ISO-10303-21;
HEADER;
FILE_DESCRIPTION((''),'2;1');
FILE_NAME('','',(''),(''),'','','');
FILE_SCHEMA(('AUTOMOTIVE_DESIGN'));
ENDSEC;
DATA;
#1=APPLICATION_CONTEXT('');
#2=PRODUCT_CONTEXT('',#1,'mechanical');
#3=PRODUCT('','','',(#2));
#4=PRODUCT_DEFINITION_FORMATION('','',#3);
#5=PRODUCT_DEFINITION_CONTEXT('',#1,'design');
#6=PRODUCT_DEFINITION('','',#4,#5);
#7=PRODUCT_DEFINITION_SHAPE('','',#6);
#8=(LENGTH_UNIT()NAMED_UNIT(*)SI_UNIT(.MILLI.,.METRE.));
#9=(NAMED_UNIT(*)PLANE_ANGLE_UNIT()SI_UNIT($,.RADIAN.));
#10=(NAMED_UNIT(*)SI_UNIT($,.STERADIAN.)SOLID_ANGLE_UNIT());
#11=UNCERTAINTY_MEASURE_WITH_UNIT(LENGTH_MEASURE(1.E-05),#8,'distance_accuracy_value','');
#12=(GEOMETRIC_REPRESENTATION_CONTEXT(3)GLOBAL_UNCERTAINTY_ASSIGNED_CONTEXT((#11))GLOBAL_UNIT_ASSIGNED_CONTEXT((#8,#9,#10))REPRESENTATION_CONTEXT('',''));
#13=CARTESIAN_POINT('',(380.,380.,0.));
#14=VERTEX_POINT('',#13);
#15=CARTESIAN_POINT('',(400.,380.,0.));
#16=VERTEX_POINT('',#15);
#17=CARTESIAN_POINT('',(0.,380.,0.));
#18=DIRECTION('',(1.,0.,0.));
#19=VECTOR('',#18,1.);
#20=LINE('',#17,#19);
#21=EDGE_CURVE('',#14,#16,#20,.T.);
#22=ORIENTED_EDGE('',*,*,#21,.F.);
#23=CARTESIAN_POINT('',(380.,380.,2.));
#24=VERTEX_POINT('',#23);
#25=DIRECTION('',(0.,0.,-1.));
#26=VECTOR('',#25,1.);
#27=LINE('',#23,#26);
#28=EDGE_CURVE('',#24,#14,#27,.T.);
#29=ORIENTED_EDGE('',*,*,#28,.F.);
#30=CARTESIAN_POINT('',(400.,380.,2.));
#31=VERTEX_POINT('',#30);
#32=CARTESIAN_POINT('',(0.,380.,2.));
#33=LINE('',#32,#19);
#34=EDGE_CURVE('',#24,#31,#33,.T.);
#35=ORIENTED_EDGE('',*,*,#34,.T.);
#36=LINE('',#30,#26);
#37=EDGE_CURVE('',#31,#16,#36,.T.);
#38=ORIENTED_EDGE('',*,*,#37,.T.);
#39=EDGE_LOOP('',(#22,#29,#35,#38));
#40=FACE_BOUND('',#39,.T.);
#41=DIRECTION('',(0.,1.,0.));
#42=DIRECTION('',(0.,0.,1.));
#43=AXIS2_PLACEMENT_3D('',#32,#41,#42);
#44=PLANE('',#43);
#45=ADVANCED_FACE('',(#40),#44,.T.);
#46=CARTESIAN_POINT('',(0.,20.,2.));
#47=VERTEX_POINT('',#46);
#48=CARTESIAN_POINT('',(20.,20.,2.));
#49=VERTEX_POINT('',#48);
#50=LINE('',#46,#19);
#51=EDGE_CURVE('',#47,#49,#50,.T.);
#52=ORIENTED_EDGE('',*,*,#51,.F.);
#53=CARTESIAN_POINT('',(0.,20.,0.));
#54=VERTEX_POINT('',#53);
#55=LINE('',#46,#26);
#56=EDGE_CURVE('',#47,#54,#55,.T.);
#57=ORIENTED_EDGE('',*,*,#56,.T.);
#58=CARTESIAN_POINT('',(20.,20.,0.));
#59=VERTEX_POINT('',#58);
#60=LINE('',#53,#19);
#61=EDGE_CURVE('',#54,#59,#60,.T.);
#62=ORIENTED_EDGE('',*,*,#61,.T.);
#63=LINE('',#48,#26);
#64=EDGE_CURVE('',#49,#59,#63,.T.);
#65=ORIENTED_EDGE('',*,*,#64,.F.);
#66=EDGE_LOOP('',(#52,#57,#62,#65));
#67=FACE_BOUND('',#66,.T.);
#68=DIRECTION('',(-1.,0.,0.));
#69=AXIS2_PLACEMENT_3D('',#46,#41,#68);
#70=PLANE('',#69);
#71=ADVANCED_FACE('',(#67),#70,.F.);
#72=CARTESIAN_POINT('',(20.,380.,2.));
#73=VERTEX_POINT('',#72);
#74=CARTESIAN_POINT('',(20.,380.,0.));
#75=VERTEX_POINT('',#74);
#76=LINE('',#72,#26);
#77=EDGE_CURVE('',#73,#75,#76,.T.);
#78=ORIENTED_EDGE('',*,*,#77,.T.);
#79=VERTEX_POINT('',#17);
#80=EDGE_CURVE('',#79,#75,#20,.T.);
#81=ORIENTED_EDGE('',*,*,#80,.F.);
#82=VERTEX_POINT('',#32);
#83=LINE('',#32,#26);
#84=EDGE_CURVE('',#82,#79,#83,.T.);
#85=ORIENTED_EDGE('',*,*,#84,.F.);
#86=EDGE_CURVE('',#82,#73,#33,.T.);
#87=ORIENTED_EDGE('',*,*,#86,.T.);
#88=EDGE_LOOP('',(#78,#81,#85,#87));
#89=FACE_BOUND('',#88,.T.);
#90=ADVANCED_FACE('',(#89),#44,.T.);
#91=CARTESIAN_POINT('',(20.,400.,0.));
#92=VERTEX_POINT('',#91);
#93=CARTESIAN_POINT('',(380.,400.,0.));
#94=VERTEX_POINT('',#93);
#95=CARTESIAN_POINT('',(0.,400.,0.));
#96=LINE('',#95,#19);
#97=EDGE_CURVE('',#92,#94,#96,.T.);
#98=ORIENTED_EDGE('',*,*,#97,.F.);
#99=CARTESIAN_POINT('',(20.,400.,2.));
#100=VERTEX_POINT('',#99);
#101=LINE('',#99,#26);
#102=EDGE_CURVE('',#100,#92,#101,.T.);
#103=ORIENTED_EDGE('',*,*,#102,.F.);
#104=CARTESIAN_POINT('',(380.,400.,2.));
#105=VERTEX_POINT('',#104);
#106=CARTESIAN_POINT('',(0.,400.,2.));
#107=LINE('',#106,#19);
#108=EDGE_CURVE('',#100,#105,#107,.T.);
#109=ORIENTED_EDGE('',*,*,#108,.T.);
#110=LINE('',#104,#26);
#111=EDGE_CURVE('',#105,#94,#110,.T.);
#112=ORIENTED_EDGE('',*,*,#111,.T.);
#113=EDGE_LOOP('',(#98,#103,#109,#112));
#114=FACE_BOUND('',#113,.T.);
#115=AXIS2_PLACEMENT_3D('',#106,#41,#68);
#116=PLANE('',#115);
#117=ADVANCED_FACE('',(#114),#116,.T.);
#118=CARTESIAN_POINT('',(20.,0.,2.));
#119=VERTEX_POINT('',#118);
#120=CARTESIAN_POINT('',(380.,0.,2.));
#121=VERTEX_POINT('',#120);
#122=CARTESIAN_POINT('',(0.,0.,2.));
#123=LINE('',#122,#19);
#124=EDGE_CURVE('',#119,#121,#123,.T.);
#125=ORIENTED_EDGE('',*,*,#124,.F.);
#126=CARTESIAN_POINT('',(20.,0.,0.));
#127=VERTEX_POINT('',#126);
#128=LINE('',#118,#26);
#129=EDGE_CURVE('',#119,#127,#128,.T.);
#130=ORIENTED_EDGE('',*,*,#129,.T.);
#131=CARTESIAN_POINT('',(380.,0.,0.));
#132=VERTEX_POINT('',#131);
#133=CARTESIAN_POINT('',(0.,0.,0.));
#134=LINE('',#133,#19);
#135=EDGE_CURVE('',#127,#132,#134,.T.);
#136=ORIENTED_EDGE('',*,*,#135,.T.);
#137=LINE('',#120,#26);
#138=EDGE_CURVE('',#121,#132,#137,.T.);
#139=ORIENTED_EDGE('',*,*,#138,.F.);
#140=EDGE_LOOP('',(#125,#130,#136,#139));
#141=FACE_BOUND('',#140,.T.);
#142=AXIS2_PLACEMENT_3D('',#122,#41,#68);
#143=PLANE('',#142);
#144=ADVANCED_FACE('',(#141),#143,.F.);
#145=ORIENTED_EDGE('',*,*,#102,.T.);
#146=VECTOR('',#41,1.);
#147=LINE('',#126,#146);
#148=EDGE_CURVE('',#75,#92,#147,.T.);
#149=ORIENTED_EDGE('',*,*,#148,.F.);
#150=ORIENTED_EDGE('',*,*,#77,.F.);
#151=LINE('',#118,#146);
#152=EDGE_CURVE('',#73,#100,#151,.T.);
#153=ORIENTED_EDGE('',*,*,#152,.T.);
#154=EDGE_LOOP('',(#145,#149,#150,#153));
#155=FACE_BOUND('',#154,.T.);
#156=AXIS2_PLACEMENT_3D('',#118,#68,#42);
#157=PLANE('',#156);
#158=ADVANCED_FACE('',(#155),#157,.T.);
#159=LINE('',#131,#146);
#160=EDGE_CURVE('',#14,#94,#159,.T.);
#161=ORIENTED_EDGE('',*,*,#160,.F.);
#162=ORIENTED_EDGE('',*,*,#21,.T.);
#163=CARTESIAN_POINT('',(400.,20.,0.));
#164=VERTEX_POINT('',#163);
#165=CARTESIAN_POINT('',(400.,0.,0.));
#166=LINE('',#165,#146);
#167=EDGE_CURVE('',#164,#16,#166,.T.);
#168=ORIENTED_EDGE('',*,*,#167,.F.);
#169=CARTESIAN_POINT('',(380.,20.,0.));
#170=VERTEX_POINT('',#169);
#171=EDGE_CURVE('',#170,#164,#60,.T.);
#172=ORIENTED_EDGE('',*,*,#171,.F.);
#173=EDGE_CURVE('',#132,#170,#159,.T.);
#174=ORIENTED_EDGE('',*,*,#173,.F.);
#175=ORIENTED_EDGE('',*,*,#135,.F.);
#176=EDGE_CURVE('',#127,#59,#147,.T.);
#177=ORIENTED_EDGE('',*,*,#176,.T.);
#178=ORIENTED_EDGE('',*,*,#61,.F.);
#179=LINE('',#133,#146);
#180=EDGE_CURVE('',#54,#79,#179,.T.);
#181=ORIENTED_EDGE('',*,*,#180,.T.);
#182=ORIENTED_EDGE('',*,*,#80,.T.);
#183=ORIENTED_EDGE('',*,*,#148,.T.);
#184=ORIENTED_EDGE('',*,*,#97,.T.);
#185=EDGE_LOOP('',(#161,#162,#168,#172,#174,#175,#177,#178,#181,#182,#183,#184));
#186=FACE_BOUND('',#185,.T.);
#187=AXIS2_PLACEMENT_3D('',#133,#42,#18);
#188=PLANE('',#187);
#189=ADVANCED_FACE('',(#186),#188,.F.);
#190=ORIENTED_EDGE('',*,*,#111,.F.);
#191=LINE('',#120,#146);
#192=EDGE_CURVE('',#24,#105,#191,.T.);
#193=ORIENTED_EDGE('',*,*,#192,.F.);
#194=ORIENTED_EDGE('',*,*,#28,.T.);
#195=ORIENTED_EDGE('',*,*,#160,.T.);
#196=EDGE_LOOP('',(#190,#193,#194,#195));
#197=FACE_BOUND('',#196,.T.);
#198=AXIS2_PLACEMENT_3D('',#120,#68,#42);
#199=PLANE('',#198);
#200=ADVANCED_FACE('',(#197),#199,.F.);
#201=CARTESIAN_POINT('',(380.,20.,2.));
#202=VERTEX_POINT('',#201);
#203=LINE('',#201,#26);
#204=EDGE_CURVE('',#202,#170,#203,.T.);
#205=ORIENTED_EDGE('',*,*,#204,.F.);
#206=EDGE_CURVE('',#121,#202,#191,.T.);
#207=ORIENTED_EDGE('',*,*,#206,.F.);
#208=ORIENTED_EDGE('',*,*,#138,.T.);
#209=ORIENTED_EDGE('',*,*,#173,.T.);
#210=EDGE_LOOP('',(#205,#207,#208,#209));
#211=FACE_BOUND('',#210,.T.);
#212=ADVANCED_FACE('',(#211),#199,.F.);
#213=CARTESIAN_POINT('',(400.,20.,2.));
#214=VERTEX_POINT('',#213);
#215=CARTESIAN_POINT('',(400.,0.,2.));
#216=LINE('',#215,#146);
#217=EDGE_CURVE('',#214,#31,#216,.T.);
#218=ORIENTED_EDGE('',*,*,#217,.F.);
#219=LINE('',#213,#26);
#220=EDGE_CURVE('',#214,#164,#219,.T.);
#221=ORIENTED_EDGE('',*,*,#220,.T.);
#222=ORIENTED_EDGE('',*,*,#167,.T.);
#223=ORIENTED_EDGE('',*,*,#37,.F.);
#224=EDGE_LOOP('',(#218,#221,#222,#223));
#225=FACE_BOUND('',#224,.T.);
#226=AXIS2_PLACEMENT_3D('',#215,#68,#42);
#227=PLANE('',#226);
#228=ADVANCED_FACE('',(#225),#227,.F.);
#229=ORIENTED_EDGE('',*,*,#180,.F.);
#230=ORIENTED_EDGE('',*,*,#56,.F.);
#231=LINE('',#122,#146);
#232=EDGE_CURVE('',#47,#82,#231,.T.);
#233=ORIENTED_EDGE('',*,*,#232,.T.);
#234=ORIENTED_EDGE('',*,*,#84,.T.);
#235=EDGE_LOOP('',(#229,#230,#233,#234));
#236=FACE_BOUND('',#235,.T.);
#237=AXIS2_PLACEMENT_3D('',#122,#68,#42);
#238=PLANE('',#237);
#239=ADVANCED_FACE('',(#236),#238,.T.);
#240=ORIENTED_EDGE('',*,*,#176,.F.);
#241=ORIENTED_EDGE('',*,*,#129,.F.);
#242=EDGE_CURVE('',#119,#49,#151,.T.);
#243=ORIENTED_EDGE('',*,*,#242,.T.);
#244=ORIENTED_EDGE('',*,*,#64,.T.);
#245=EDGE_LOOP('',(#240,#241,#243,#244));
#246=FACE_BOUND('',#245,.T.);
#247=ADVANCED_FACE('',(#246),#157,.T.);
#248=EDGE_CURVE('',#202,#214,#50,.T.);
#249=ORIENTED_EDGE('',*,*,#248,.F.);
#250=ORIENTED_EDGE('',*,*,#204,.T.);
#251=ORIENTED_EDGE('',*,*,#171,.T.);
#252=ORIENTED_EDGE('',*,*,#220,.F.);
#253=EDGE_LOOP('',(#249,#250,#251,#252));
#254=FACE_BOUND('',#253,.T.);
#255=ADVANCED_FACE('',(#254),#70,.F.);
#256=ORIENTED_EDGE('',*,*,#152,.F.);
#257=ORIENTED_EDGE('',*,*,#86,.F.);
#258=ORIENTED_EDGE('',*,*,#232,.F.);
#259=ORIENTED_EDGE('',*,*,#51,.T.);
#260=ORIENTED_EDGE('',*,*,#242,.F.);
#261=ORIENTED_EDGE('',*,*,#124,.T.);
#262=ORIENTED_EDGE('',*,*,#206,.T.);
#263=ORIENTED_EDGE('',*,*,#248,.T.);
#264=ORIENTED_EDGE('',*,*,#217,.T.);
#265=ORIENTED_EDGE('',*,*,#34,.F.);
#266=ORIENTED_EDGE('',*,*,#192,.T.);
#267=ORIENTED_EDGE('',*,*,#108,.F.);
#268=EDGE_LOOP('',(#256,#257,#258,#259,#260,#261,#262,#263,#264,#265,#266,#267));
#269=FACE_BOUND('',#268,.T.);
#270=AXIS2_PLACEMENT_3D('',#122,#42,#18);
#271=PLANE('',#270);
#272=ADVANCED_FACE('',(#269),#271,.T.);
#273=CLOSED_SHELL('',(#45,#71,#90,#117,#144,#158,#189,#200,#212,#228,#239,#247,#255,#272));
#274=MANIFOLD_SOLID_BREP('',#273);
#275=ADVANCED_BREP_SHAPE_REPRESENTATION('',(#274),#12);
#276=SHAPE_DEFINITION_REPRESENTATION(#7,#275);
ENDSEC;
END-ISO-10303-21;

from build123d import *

# Parameters (mm, degrees)
BOSS_EXTRUDE1_DEPTH = 2


with BuildPart() as part:
    # Sketch1 → Boss-Extrude1 (new body)
    with BuildSketch(Plane(origin=(0, 0, 0), x_dir=(0, 1, 0), z_dir=(0, 0, 1))):
        Polygon((380, -20), (380, 0), (20, 0), (20, -20), (0, -20), (0, -380), (20, -380), (20, -400), (380, -400), (380, -380), (400, -380), (400, -20), align=None)
    extrude(amount=BOSS_EXTRUDE1_DEPTH)


solid = part.part
